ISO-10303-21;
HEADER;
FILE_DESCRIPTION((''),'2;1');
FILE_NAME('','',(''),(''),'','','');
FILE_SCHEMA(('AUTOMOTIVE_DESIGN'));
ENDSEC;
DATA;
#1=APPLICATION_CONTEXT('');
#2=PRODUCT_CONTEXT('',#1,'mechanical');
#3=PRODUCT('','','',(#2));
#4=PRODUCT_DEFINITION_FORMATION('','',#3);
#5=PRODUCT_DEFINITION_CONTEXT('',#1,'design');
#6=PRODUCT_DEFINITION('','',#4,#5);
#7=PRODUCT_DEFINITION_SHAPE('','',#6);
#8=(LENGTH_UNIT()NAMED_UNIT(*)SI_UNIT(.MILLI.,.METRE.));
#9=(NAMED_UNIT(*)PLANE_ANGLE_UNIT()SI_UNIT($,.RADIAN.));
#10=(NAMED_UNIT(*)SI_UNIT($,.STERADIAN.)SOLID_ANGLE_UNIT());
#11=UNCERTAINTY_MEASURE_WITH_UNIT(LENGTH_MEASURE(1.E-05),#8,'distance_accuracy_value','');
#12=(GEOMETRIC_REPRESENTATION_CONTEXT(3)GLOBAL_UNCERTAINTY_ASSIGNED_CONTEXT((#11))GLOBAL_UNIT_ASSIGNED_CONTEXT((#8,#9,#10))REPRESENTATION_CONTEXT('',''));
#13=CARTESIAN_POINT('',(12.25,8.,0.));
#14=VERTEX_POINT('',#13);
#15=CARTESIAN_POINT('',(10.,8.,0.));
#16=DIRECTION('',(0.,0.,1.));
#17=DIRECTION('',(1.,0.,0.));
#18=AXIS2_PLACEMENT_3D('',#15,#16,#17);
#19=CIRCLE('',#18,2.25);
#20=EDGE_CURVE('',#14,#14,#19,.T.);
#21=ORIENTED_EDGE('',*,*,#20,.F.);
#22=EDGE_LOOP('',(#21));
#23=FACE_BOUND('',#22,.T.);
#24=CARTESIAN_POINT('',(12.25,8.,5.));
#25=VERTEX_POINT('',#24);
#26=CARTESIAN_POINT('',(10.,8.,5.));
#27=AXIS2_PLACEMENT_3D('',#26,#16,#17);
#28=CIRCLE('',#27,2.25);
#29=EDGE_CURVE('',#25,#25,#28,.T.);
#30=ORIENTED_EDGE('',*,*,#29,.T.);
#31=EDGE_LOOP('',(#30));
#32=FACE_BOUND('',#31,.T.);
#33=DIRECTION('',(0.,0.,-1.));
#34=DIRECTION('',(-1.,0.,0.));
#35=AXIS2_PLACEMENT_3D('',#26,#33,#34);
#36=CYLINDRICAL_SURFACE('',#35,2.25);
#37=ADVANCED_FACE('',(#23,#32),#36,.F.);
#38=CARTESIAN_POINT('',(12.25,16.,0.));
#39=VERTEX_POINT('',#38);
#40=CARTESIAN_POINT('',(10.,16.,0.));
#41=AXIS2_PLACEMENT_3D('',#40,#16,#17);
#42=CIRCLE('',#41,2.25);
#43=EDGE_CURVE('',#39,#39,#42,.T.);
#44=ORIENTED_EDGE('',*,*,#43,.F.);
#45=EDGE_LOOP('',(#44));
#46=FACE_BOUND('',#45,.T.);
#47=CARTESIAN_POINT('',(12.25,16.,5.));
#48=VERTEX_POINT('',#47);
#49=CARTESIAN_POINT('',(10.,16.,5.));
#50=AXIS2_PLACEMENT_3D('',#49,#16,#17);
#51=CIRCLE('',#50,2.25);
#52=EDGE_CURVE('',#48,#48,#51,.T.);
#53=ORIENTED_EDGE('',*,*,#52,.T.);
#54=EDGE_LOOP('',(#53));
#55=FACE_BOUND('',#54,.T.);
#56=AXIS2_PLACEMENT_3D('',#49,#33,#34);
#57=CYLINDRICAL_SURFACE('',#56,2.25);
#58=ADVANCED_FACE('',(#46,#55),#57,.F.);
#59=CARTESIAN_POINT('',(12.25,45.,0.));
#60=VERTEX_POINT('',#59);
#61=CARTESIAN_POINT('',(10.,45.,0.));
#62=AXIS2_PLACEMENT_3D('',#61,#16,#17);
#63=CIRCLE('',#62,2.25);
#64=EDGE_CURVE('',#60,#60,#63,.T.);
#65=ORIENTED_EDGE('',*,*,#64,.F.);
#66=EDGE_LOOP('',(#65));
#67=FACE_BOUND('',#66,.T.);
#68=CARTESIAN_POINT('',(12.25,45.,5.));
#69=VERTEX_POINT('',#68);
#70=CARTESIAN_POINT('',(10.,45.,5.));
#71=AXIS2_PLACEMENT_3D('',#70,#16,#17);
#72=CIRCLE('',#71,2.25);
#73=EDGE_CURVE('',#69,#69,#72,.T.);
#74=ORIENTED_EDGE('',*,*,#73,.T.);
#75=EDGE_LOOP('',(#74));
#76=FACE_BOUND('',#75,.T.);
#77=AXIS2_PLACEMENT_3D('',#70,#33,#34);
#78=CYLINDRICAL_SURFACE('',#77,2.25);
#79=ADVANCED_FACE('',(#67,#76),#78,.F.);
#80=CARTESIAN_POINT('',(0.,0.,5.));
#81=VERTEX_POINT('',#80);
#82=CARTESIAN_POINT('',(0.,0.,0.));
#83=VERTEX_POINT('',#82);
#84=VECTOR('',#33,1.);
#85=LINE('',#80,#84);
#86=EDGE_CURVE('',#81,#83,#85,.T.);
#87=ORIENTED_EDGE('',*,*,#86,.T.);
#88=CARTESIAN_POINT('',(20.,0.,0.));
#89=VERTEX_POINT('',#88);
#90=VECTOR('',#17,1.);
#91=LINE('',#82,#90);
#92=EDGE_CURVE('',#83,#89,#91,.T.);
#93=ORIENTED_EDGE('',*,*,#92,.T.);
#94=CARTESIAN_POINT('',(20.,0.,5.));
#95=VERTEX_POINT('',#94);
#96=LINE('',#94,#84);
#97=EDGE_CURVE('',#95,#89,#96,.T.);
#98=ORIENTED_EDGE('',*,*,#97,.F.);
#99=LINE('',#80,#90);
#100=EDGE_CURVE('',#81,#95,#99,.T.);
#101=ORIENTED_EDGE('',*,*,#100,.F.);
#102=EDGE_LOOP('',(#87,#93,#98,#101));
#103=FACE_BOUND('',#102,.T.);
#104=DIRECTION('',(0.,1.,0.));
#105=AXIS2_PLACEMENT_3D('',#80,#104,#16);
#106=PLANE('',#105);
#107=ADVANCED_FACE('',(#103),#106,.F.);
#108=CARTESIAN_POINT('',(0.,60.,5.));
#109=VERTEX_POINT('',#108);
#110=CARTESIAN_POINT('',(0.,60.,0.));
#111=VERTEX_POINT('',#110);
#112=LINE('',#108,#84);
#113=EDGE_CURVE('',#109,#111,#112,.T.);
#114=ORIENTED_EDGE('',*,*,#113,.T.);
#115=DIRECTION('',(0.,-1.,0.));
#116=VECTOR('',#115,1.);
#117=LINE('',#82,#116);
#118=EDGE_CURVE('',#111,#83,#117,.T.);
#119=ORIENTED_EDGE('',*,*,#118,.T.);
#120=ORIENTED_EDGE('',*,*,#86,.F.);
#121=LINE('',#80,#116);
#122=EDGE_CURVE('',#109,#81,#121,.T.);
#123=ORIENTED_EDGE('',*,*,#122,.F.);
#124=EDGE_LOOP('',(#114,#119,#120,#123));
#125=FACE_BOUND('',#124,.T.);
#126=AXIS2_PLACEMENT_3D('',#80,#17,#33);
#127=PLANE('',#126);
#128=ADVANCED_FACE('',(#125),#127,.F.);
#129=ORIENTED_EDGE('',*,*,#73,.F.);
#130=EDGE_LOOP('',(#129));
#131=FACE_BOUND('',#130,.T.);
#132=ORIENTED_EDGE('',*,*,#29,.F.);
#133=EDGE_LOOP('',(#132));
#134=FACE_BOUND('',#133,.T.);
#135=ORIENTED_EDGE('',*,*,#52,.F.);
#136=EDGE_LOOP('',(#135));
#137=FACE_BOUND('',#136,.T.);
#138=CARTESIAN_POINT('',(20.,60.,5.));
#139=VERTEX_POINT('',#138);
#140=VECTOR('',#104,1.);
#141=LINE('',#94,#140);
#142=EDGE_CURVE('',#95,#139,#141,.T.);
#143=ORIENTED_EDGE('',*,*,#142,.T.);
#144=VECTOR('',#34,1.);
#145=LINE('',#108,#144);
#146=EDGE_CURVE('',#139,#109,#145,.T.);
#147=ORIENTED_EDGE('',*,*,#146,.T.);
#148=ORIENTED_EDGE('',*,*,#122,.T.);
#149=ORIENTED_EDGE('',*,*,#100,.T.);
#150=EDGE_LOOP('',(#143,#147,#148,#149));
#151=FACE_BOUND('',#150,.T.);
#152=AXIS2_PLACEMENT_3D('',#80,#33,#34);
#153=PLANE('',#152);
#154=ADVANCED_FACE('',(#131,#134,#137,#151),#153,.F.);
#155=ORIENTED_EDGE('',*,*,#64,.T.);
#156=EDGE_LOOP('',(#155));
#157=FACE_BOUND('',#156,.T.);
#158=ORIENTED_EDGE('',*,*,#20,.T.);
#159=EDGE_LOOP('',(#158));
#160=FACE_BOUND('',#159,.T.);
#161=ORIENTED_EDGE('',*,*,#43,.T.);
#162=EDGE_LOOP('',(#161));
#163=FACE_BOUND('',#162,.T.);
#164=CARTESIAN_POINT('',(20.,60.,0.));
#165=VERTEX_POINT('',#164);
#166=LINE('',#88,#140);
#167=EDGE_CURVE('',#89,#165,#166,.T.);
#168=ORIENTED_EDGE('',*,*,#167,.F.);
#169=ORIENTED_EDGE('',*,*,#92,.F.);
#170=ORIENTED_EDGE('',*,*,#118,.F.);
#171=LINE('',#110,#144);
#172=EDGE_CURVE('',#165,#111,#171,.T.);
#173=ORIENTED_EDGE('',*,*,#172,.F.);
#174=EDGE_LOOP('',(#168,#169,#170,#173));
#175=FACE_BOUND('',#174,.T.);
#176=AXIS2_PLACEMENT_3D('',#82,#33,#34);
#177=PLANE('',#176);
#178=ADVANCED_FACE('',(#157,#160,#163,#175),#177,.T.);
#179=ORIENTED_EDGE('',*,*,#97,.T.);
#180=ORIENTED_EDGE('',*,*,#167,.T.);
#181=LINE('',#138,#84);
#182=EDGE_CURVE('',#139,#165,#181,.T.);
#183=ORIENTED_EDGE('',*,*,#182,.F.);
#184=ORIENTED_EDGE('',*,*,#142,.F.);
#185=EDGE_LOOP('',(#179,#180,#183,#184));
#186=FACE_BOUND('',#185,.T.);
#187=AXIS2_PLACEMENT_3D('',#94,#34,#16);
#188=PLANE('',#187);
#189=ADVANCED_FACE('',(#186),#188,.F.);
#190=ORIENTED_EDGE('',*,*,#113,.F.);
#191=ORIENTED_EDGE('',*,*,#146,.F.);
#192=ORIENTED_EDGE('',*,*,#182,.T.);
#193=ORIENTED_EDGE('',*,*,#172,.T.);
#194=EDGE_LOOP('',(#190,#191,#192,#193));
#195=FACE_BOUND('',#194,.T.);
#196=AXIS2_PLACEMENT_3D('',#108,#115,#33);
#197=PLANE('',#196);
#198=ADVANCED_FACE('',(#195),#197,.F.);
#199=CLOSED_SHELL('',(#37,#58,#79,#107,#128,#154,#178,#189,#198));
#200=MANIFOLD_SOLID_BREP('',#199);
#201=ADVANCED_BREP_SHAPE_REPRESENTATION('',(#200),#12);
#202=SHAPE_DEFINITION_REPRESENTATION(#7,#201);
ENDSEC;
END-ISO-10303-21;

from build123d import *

# Parameters (mm, degrees)
SKETCH1_W           = 20
SKETCH1_H           = 60
SKETCH1_R           = 2.25
BOSS_EXTRUDE1_DEPTH = 5


with BuildPart() as part:
    # Sketch1 → Boss-Extrude1 (new body)
    with BuildSketch(Plane.XY):
        with Locations((10, 30)):
            Rectangle(SKETCH1_W, SKETCH1_H)
        with Locations((10, 45)):
            Circle(SKETCH1_R, mode=Mode.SUBTRACT)
        with Locations((10, 16)):
            Circle(SKETCH1_R, mode=Mode.SUBTRACT)
        with Locations((10, 8)):
            Circle(SKETCH1_R, mode=Mode.SUBTRACT)
    extrude(amount=BOSS_EXTRUDE1_DEPTH)


solid = part.part
